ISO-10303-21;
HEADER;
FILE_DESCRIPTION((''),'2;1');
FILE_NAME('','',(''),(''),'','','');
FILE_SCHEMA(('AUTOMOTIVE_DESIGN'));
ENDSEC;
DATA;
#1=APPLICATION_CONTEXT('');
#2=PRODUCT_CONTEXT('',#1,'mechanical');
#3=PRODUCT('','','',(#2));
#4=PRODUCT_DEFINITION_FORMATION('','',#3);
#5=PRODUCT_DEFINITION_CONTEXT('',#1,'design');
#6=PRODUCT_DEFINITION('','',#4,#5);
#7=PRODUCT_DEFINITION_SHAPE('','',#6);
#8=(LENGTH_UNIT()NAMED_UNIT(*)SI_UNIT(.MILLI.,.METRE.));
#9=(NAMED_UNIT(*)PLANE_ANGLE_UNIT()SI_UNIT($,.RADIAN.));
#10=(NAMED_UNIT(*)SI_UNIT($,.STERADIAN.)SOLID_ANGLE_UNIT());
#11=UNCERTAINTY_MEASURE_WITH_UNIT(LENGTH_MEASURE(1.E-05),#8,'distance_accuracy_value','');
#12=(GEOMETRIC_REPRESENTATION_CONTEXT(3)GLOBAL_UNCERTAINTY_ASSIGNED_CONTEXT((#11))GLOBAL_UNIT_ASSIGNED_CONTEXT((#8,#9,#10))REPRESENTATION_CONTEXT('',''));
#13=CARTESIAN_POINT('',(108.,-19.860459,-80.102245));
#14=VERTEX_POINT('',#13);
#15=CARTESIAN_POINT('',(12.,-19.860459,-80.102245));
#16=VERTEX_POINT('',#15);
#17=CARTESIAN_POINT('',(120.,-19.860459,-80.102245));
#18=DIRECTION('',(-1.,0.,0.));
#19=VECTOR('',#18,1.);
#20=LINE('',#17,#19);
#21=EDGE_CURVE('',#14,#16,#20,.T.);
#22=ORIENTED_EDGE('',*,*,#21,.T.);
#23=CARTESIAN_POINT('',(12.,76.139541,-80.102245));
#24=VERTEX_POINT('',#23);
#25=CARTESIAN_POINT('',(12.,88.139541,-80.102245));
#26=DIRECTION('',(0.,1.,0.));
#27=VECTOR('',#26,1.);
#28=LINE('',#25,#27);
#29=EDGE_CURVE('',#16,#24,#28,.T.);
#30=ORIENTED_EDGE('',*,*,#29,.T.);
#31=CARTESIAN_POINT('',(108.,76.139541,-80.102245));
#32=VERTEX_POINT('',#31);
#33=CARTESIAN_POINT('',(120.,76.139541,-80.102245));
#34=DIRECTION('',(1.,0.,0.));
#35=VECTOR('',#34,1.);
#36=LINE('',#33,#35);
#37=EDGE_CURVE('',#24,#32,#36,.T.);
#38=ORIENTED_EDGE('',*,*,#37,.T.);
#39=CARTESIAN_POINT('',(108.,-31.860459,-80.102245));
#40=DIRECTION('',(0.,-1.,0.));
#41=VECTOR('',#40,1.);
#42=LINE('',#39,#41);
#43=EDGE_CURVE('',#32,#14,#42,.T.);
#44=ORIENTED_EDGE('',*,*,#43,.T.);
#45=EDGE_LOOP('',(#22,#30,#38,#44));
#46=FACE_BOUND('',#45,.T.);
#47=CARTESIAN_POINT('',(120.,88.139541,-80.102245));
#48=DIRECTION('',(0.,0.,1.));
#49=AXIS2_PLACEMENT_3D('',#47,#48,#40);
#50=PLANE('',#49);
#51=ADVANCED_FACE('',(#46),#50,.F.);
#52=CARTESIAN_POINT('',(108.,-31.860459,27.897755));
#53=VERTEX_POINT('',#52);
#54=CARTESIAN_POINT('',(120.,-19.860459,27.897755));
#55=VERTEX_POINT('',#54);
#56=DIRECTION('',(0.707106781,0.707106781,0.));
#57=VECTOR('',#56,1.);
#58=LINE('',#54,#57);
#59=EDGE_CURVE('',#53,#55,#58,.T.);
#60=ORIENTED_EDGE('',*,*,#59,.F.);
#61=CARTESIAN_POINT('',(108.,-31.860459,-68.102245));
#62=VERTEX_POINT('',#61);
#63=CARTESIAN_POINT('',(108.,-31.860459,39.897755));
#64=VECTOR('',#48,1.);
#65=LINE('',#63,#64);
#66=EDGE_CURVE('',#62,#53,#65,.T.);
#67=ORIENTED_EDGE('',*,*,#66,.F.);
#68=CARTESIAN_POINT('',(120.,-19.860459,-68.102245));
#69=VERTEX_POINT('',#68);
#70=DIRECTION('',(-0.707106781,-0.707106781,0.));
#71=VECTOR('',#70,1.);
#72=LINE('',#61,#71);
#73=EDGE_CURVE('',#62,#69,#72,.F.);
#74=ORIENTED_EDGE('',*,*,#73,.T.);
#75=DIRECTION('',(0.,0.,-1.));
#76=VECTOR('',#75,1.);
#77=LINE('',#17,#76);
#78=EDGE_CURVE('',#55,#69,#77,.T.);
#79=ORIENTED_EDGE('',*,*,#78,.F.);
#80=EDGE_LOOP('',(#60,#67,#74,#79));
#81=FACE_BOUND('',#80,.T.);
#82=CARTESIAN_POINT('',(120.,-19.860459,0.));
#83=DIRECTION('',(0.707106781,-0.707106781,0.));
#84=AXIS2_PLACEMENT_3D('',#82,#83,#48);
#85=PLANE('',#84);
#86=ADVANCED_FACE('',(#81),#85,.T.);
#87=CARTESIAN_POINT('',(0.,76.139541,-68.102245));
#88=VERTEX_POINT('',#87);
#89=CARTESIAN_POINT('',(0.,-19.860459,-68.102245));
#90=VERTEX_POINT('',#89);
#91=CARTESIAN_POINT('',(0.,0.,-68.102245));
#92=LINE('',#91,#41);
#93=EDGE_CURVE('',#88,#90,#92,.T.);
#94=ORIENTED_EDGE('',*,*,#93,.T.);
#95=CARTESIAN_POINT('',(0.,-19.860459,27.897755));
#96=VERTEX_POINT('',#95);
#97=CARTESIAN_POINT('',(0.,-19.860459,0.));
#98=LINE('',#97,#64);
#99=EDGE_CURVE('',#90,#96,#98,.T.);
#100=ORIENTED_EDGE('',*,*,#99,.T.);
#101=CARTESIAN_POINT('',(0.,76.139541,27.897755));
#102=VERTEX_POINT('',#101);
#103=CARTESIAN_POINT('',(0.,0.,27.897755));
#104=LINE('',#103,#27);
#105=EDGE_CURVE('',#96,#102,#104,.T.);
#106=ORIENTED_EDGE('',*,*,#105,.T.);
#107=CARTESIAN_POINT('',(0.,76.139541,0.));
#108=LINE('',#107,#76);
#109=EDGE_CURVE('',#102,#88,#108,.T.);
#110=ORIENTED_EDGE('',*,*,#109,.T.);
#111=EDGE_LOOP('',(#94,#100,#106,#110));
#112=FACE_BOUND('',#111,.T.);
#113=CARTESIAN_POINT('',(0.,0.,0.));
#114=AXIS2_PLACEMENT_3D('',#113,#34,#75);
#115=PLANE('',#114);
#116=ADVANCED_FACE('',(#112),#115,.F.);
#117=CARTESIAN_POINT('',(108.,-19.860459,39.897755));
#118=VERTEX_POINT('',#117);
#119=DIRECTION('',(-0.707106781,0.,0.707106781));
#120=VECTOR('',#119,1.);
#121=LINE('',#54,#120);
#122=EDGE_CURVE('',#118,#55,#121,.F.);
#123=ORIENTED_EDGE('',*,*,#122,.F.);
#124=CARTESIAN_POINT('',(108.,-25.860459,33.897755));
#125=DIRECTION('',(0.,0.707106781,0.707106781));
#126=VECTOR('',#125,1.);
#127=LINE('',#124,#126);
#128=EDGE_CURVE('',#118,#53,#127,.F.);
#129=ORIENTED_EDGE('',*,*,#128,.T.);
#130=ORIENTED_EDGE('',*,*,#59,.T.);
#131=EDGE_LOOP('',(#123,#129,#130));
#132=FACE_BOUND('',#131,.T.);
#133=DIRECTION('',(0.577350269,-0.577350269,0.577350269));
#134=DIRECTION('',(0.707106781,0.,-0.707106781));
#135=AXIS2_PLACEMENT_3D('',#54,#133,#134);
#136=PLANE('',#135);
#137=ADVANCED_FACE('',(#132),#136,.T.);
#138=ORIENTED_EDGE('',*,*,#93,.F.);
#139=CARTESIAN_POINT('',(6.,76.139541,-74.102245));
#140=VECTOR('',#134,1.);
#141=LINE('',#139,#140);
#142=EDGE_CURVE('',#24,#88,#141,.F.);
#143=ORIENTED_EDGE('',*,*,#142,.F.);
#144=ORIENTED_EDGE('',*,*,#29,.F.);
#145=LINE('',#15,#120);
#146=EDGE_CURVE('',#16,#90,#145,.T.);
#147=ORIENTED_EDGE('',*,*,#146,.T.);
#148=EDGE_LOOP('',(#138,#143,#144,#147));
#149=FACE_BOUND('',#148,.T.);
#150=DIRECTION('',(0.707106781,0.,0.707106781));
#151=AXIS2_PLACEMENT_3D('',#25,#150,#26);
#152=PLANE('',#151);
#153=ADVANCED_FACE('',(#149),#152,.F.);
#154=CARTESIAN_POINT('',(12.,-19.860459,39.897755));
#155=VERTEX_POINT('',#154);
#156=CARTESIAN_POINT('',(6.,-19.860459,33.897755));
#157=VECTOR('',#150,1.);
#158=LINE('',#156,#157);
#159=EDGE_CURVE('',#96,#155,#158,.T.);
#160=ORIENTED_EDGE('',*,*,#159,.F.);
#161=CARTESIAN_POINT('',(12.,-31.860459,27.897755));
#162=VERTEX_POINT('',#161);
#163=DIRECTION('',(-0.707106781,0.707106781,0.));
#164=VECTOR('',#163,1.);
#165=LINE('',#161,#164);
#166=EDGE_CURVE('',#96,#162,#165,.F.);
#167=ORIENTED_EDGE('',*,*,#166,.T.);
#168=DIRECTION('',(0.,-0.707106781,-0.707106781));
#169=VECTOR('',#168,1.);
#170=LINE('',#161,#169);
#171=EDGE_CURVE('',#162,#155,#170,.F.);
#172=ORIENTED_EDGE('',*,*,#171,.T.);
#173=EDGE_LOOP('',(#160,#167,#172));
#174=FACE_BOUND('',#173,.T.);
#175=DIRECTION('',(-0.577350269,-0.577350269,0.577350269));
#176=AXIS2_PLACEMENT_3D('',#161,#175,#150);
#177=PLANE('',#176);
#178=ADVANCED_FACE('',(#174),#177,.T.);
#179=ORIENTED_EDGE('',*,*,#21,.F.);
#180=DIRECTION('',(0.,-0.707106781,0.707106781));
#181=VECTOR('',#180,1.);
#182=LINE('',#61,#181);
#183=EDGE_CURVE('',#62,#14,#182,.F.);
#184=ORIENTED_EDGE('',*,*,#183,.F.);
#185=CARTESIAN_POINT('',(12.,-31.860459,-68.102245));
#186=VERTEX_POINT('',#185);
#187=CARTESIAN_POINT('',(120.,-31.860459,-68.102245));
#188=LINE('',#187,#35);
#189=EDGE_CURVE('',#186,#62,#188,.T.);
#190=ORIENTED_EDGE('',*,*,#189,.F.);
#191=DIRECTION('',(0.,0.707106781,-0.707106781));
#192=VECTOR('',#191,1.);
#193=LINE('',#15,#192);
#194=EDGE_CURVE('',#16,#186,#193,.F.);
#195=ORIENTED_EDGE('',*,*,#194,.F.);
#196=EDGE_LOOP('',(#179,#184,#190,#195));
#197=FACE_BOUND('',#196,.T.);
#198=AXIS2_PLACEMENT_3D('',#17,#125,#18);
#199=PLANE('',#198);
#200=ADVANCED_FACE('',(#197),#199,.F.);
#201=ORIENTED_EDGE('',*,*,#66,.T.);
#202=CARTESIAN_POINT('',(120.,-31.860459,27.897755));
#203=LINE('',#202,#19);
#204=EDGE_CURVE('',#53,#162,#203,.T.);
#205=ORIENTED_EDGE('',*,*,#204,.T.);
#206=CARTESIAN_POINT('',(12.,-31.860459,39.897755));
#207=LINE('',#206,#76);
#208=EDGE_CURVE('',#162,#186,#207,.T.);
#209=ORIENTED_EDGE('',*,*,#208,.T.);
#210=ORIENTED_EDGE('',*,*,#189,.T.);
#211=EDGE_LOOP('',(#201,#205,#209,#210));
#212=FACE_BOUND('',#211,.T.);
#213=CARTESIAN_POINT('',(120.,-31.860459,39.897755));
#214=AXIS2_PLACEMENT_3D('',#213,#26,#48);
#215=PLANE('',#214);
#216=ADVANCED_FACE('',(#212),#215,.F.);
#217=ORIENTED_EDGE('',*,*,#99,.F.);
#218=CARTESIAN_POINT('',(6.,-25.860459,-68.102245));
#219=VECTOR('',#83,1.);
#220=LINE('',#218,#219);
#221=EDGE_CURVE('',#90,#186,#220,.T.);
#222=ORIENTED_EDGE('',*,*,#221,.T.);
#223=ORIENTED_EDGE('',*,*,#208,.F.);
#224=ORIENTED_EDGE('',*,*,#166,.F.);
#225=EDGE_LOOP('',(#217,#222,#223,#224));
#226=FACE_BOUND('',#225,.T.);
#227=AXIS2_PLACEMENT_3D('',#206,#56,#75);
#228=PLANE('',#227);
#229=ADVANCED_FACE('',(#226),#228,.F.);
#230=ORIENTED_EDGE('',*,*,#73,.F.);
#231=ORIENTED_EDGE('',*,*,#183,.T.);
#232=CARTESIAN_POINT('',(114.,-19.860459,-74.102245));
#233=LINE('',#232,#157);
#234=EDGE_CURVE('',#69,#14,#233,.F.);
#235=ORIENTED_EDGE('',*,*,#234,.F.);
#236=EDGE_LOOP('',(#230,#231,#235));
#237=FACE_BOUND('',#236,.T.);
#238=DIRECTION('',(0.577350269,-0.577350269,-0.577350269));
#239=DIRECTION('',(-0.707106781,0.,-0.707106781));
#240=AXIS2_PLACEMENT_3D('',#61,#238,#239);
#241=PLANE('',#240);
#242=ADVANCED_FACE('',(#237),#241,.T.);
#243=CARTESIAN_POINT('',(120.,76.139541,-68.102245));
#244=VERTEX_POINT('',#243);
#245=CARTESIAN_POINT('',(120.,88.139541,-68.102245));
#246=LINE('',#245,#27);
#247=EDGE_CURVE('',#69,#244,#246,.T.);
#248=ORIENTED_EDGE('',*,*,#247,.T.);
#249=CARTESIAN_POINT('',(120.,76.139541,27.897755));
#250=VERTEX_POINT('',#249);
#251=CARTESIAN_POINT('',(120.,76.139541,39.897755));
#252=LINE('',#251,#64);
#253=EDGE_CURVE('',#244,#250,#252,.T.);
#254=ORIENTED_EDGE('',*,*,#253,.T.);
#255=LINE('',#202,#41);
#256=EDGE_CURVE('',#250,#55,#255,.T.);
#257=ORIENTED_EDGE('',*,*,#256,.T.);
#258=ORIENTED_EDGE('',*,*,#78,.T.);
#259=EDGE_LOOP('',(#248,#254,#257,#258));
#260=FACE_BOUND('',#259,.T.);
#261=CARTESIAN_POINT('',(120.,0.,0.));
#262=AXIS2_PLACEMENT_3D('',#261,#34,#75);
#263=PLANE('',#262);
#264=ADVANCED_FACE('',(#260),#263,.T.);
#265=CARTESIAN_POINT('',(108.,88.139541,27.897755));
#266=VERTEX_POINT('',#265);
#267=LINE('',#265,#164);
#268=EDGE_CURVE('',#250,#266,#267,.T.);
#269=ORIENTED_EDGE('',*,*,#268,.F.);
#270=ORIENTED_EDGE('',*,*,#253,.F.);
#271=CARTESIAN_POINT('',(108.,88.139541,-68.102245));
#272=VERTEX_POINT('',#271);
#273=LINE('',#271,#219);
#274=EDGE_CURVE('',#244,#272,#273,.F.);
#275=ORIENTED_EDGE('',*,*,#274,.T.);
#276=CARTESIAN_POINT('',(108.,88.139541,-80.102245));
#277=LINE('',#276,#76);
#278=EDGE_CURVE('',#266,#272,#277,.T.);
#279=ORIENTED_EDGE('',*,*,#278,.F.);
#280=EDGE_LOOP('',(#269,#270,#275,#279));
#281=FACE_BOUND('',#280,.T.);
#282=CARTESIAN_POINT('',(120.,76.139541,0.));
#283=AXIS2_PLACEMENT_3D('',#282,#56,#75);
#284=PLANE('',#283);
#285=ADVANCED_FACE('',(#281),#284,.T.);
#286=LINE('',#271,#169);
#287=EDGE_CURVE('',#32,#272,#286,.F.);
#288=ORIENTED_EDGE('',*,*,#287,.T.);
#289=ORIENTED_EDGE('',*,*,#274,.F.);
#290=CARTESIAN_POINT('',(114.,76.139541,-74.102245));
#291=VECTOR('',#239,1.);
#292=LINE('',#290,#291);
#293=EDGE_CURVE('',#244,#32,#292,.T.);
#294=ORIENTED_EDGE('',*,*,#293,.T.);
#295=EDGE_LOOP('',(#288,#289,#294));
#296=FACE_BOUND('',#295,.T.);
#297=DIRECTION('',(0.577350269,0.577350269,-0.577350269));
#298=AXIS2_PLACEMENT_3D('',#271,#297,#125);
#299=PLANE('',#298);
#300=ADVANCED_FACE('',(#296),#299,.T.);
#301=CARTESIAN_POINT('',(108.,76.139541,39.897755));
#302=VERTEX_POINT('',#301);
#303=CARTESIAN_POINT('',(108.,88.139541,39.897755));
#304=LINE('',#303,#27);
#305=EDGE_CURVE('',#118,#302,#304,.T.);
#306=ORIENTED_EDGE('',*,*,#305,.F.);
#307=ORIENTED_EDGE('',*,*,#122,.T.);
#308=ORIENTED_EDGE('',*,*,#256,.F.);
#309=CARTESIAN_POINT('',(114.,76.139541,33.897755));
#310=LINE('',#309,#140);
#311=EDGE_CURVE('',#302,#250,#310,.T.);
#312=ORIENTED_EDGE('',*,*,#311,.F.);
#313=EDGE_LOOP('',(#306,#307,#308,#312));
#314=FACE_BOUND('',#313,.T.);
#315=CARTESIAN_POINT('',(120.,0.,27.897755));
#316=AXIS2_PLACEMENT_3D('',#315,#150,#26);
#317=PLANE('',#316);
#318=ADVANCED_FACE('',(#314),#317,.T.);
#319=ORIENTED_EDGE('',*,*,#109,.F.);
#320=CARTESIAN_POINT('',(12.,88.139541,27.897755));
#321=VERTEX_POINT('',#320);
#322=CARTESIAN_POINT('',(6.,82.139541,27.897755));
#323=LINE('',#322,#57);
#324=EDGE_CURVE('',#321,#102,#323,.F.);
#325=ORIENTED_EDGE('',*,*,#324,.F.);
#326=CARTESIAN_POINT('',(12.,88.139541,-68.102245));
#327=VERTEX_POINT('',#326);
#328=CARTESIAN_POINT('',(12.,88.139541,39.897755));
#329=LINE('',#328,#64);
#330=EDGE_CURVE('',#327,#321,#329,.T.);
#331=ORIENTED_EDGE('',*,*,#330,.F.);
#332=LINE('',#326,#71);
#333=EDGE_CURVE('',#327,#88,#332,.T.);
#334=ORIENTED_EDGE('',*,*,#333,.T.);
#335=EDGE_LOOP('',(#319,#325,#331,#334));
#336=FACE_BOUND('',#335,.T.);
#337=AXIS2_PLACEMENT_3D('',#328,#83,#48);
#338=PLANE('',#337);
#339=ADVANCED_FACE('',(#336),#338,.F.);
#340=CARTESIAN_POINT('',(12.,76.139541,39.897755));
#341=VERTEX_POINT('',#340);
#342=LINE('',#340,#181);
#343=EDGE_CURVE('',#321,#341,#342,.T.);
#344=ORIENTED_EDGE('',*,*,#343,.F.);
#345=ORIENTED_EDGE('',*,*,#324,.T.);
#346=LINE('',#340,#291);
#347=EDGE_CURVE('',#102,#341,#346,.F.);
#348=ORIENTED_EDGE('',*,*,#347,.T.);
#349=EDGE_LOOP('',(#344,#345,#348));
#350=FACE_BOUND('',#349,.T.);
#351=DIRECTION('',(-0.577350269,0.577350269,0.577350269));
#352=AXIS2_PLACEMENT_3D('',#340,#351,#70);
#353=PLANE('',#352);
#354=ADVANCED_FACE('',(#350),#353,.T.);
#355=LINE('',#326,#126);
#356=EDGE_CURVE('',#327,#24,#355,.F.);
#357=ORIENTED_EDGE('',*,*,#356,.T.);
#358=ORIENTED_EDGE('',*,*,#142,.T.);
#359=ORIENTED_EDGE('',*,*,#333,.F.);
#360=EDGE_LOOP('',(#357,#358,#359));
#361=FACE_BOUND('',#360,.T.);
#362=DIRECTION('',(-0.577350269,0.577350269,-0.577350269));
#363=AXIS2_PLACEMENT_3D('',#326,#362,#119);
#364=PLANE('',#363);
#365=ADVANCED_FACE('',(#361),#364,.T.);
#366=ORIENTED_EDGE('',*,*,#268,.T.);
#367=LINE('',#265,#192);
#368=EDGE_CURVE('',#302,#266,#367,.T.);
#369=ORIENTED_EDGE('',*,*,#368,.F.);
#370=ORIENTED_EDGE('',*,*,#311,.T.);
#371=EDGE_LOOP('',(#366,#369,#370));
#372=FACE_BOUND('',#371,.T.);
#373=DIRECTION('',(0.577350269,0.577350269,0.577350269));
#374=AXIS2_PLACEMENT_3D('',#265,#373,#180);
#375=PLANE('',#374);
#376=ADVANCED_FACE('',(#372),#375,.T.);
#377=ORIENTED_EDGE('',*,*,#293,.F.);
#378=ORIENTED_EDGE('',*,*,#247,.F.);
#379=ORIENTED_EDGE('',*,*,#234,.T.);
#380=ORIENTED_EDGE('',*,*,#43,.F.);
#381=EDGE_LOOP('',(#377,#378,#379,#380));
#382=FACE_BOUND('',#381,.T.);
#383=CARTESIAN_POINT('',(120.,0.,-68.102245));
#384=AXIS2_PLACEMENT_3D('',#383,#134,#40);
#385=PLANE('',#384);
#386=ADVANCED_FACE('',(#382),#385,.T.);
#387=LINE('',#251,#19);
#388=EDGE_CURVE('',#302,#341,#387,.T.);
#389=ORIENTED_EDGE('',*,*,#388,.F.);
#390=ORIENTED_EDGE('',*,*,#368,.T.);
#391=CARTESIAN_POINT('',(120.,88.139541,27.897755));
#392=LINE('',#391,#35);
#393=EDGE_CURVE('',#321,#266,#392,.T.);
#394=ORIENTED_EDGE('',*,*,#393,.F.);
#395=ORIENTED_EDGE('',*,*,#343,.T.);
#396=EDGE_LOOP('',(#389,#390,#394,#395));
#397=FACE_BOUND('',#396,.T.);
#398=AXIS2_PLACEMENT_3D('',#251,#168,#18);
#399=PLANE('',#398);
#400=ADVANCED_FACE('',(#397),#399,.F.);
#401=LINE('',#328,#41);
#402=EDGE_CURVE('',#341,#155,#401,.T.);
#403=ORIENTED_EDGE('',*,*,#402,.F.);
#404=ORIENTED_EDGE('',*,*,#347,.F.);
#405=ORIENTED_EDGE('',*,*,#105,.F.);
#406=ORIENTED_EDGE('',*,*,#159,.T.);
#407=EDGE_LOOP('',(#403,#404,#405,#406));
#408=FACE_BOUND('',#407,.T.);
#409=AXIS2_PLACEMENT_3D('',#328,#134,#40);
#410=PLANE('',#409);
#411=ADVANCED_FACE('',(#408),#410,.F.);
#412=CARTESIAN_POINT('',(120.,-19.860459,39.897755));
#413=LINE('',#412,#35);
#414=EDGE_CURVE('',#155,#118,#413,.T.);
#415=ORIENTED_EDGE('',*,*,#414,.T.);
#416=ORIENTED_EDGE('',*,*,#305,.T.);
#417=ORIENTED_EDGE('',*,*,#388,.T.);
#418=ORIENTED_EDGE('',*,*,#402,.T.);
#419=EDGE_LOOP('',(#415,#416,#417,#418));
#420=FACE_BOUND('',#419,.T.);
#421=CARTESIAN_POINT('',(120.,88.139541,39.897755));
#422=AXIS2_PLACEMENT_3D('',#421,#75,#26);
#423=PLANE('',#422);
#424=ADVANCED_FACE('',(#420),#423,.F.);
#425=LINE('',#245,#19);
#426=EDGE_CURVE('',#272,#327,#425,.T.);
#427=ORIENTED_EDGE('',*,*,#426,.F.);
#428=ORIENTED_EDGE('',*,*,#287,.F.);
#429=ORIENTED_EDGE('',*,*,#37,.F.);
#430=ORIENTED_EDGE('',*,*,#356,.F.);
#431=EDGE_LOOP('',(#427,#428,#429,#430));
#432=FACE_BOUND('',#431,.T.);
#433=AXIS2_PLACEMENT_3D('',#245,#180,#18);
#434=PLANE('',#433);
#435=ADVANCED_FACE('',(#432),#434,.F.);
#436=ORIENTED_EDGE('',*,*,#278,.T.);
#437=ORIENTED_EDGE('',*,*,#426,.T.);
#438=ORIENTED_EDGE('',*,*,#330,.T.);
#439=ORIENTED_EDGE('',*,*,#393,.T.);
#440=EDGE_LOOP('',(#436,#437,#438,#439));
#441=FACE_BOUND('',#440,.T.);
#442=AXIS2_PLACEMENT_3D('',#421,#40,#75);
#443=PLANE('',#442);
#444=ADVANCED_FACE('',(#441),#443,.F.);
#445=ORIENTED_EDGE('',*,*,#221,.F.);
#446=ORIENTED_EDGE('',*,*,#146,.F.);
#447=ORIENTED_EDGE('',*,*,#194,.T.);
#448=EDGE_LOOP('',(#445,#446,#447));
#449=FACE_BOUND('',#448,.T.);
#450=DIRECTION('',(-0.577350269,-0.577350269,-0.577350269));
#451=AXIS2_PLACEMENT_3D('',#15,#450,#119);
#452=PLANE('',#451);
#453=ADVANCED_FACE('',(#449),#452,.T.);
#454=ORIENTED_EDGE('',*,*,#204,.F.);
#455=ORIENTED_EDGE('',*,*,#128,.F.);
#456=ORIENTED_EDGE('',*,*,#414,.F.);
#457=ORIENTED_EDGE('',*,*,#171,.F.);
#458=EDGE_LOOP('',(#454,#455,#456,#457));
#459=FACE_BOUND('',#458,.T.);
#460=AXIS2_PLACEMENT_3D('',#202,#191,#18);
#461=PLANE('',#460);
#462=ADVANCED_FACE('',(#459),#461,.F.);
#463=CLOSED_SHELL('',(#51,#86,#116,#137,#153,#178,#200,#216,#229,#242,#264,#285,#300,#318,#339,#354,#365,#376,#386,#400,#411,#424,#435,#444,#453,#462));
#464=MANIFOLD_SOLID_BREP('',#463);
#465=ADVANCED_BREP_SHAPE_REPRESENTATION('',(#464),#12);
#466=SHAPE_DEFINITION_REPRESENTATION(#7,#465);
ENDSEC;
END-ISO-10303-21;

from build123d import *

# Parameters (mm, degrees)
SKETCH_1_W      = 120
SKETCH_1_H      = 120
EXTRUDE_1_DEPTH = 120
CHAMFER_1_SIZE  = 12


with BuildPart() as part:
    # 草图1 → 凸台-拉伸1 (new body)
    with BuildSketch(Plane(origin=(0, 0, 0), x_dir=(0, 0, -1), z_dir=(1, 0, 0))):
        with Locations((20.102245328, 28.139540774)):
            Rectangle(SKETCH_1_W, SKETCH_1_H)
    extrude(amount=EXTRUDE_1_DEPTH)

    # 倒角1
    chamfer_1_edges = [part.edges().sort_by_distance(p)[0] for p in [
        (120, 28.139540774, -80.102245328),
        (120, 88.139540774, -20.102245328),
        (120, 28.139540774, 39.897754672),
        (0, 88.139540774, -20.102245328),
        (0, 28.139540774, -80.102245328),
        (0, -31.860459226, -20.102245328),
        (0, 28.139540774, 39.897754672),
        (60, 88.139540774, 39.897754672),
        (60, 88.139540774, -80.102245328),
        (60, -31.860459226, -80.102245328),
        (60, -31.860459226, 39.897754672),
        (120, -31.860459226, -20.102245328),
    ]]
    chamfer(chamfer_1_edges, length=CHAMFER_1_SIZE)


solid = part.part
